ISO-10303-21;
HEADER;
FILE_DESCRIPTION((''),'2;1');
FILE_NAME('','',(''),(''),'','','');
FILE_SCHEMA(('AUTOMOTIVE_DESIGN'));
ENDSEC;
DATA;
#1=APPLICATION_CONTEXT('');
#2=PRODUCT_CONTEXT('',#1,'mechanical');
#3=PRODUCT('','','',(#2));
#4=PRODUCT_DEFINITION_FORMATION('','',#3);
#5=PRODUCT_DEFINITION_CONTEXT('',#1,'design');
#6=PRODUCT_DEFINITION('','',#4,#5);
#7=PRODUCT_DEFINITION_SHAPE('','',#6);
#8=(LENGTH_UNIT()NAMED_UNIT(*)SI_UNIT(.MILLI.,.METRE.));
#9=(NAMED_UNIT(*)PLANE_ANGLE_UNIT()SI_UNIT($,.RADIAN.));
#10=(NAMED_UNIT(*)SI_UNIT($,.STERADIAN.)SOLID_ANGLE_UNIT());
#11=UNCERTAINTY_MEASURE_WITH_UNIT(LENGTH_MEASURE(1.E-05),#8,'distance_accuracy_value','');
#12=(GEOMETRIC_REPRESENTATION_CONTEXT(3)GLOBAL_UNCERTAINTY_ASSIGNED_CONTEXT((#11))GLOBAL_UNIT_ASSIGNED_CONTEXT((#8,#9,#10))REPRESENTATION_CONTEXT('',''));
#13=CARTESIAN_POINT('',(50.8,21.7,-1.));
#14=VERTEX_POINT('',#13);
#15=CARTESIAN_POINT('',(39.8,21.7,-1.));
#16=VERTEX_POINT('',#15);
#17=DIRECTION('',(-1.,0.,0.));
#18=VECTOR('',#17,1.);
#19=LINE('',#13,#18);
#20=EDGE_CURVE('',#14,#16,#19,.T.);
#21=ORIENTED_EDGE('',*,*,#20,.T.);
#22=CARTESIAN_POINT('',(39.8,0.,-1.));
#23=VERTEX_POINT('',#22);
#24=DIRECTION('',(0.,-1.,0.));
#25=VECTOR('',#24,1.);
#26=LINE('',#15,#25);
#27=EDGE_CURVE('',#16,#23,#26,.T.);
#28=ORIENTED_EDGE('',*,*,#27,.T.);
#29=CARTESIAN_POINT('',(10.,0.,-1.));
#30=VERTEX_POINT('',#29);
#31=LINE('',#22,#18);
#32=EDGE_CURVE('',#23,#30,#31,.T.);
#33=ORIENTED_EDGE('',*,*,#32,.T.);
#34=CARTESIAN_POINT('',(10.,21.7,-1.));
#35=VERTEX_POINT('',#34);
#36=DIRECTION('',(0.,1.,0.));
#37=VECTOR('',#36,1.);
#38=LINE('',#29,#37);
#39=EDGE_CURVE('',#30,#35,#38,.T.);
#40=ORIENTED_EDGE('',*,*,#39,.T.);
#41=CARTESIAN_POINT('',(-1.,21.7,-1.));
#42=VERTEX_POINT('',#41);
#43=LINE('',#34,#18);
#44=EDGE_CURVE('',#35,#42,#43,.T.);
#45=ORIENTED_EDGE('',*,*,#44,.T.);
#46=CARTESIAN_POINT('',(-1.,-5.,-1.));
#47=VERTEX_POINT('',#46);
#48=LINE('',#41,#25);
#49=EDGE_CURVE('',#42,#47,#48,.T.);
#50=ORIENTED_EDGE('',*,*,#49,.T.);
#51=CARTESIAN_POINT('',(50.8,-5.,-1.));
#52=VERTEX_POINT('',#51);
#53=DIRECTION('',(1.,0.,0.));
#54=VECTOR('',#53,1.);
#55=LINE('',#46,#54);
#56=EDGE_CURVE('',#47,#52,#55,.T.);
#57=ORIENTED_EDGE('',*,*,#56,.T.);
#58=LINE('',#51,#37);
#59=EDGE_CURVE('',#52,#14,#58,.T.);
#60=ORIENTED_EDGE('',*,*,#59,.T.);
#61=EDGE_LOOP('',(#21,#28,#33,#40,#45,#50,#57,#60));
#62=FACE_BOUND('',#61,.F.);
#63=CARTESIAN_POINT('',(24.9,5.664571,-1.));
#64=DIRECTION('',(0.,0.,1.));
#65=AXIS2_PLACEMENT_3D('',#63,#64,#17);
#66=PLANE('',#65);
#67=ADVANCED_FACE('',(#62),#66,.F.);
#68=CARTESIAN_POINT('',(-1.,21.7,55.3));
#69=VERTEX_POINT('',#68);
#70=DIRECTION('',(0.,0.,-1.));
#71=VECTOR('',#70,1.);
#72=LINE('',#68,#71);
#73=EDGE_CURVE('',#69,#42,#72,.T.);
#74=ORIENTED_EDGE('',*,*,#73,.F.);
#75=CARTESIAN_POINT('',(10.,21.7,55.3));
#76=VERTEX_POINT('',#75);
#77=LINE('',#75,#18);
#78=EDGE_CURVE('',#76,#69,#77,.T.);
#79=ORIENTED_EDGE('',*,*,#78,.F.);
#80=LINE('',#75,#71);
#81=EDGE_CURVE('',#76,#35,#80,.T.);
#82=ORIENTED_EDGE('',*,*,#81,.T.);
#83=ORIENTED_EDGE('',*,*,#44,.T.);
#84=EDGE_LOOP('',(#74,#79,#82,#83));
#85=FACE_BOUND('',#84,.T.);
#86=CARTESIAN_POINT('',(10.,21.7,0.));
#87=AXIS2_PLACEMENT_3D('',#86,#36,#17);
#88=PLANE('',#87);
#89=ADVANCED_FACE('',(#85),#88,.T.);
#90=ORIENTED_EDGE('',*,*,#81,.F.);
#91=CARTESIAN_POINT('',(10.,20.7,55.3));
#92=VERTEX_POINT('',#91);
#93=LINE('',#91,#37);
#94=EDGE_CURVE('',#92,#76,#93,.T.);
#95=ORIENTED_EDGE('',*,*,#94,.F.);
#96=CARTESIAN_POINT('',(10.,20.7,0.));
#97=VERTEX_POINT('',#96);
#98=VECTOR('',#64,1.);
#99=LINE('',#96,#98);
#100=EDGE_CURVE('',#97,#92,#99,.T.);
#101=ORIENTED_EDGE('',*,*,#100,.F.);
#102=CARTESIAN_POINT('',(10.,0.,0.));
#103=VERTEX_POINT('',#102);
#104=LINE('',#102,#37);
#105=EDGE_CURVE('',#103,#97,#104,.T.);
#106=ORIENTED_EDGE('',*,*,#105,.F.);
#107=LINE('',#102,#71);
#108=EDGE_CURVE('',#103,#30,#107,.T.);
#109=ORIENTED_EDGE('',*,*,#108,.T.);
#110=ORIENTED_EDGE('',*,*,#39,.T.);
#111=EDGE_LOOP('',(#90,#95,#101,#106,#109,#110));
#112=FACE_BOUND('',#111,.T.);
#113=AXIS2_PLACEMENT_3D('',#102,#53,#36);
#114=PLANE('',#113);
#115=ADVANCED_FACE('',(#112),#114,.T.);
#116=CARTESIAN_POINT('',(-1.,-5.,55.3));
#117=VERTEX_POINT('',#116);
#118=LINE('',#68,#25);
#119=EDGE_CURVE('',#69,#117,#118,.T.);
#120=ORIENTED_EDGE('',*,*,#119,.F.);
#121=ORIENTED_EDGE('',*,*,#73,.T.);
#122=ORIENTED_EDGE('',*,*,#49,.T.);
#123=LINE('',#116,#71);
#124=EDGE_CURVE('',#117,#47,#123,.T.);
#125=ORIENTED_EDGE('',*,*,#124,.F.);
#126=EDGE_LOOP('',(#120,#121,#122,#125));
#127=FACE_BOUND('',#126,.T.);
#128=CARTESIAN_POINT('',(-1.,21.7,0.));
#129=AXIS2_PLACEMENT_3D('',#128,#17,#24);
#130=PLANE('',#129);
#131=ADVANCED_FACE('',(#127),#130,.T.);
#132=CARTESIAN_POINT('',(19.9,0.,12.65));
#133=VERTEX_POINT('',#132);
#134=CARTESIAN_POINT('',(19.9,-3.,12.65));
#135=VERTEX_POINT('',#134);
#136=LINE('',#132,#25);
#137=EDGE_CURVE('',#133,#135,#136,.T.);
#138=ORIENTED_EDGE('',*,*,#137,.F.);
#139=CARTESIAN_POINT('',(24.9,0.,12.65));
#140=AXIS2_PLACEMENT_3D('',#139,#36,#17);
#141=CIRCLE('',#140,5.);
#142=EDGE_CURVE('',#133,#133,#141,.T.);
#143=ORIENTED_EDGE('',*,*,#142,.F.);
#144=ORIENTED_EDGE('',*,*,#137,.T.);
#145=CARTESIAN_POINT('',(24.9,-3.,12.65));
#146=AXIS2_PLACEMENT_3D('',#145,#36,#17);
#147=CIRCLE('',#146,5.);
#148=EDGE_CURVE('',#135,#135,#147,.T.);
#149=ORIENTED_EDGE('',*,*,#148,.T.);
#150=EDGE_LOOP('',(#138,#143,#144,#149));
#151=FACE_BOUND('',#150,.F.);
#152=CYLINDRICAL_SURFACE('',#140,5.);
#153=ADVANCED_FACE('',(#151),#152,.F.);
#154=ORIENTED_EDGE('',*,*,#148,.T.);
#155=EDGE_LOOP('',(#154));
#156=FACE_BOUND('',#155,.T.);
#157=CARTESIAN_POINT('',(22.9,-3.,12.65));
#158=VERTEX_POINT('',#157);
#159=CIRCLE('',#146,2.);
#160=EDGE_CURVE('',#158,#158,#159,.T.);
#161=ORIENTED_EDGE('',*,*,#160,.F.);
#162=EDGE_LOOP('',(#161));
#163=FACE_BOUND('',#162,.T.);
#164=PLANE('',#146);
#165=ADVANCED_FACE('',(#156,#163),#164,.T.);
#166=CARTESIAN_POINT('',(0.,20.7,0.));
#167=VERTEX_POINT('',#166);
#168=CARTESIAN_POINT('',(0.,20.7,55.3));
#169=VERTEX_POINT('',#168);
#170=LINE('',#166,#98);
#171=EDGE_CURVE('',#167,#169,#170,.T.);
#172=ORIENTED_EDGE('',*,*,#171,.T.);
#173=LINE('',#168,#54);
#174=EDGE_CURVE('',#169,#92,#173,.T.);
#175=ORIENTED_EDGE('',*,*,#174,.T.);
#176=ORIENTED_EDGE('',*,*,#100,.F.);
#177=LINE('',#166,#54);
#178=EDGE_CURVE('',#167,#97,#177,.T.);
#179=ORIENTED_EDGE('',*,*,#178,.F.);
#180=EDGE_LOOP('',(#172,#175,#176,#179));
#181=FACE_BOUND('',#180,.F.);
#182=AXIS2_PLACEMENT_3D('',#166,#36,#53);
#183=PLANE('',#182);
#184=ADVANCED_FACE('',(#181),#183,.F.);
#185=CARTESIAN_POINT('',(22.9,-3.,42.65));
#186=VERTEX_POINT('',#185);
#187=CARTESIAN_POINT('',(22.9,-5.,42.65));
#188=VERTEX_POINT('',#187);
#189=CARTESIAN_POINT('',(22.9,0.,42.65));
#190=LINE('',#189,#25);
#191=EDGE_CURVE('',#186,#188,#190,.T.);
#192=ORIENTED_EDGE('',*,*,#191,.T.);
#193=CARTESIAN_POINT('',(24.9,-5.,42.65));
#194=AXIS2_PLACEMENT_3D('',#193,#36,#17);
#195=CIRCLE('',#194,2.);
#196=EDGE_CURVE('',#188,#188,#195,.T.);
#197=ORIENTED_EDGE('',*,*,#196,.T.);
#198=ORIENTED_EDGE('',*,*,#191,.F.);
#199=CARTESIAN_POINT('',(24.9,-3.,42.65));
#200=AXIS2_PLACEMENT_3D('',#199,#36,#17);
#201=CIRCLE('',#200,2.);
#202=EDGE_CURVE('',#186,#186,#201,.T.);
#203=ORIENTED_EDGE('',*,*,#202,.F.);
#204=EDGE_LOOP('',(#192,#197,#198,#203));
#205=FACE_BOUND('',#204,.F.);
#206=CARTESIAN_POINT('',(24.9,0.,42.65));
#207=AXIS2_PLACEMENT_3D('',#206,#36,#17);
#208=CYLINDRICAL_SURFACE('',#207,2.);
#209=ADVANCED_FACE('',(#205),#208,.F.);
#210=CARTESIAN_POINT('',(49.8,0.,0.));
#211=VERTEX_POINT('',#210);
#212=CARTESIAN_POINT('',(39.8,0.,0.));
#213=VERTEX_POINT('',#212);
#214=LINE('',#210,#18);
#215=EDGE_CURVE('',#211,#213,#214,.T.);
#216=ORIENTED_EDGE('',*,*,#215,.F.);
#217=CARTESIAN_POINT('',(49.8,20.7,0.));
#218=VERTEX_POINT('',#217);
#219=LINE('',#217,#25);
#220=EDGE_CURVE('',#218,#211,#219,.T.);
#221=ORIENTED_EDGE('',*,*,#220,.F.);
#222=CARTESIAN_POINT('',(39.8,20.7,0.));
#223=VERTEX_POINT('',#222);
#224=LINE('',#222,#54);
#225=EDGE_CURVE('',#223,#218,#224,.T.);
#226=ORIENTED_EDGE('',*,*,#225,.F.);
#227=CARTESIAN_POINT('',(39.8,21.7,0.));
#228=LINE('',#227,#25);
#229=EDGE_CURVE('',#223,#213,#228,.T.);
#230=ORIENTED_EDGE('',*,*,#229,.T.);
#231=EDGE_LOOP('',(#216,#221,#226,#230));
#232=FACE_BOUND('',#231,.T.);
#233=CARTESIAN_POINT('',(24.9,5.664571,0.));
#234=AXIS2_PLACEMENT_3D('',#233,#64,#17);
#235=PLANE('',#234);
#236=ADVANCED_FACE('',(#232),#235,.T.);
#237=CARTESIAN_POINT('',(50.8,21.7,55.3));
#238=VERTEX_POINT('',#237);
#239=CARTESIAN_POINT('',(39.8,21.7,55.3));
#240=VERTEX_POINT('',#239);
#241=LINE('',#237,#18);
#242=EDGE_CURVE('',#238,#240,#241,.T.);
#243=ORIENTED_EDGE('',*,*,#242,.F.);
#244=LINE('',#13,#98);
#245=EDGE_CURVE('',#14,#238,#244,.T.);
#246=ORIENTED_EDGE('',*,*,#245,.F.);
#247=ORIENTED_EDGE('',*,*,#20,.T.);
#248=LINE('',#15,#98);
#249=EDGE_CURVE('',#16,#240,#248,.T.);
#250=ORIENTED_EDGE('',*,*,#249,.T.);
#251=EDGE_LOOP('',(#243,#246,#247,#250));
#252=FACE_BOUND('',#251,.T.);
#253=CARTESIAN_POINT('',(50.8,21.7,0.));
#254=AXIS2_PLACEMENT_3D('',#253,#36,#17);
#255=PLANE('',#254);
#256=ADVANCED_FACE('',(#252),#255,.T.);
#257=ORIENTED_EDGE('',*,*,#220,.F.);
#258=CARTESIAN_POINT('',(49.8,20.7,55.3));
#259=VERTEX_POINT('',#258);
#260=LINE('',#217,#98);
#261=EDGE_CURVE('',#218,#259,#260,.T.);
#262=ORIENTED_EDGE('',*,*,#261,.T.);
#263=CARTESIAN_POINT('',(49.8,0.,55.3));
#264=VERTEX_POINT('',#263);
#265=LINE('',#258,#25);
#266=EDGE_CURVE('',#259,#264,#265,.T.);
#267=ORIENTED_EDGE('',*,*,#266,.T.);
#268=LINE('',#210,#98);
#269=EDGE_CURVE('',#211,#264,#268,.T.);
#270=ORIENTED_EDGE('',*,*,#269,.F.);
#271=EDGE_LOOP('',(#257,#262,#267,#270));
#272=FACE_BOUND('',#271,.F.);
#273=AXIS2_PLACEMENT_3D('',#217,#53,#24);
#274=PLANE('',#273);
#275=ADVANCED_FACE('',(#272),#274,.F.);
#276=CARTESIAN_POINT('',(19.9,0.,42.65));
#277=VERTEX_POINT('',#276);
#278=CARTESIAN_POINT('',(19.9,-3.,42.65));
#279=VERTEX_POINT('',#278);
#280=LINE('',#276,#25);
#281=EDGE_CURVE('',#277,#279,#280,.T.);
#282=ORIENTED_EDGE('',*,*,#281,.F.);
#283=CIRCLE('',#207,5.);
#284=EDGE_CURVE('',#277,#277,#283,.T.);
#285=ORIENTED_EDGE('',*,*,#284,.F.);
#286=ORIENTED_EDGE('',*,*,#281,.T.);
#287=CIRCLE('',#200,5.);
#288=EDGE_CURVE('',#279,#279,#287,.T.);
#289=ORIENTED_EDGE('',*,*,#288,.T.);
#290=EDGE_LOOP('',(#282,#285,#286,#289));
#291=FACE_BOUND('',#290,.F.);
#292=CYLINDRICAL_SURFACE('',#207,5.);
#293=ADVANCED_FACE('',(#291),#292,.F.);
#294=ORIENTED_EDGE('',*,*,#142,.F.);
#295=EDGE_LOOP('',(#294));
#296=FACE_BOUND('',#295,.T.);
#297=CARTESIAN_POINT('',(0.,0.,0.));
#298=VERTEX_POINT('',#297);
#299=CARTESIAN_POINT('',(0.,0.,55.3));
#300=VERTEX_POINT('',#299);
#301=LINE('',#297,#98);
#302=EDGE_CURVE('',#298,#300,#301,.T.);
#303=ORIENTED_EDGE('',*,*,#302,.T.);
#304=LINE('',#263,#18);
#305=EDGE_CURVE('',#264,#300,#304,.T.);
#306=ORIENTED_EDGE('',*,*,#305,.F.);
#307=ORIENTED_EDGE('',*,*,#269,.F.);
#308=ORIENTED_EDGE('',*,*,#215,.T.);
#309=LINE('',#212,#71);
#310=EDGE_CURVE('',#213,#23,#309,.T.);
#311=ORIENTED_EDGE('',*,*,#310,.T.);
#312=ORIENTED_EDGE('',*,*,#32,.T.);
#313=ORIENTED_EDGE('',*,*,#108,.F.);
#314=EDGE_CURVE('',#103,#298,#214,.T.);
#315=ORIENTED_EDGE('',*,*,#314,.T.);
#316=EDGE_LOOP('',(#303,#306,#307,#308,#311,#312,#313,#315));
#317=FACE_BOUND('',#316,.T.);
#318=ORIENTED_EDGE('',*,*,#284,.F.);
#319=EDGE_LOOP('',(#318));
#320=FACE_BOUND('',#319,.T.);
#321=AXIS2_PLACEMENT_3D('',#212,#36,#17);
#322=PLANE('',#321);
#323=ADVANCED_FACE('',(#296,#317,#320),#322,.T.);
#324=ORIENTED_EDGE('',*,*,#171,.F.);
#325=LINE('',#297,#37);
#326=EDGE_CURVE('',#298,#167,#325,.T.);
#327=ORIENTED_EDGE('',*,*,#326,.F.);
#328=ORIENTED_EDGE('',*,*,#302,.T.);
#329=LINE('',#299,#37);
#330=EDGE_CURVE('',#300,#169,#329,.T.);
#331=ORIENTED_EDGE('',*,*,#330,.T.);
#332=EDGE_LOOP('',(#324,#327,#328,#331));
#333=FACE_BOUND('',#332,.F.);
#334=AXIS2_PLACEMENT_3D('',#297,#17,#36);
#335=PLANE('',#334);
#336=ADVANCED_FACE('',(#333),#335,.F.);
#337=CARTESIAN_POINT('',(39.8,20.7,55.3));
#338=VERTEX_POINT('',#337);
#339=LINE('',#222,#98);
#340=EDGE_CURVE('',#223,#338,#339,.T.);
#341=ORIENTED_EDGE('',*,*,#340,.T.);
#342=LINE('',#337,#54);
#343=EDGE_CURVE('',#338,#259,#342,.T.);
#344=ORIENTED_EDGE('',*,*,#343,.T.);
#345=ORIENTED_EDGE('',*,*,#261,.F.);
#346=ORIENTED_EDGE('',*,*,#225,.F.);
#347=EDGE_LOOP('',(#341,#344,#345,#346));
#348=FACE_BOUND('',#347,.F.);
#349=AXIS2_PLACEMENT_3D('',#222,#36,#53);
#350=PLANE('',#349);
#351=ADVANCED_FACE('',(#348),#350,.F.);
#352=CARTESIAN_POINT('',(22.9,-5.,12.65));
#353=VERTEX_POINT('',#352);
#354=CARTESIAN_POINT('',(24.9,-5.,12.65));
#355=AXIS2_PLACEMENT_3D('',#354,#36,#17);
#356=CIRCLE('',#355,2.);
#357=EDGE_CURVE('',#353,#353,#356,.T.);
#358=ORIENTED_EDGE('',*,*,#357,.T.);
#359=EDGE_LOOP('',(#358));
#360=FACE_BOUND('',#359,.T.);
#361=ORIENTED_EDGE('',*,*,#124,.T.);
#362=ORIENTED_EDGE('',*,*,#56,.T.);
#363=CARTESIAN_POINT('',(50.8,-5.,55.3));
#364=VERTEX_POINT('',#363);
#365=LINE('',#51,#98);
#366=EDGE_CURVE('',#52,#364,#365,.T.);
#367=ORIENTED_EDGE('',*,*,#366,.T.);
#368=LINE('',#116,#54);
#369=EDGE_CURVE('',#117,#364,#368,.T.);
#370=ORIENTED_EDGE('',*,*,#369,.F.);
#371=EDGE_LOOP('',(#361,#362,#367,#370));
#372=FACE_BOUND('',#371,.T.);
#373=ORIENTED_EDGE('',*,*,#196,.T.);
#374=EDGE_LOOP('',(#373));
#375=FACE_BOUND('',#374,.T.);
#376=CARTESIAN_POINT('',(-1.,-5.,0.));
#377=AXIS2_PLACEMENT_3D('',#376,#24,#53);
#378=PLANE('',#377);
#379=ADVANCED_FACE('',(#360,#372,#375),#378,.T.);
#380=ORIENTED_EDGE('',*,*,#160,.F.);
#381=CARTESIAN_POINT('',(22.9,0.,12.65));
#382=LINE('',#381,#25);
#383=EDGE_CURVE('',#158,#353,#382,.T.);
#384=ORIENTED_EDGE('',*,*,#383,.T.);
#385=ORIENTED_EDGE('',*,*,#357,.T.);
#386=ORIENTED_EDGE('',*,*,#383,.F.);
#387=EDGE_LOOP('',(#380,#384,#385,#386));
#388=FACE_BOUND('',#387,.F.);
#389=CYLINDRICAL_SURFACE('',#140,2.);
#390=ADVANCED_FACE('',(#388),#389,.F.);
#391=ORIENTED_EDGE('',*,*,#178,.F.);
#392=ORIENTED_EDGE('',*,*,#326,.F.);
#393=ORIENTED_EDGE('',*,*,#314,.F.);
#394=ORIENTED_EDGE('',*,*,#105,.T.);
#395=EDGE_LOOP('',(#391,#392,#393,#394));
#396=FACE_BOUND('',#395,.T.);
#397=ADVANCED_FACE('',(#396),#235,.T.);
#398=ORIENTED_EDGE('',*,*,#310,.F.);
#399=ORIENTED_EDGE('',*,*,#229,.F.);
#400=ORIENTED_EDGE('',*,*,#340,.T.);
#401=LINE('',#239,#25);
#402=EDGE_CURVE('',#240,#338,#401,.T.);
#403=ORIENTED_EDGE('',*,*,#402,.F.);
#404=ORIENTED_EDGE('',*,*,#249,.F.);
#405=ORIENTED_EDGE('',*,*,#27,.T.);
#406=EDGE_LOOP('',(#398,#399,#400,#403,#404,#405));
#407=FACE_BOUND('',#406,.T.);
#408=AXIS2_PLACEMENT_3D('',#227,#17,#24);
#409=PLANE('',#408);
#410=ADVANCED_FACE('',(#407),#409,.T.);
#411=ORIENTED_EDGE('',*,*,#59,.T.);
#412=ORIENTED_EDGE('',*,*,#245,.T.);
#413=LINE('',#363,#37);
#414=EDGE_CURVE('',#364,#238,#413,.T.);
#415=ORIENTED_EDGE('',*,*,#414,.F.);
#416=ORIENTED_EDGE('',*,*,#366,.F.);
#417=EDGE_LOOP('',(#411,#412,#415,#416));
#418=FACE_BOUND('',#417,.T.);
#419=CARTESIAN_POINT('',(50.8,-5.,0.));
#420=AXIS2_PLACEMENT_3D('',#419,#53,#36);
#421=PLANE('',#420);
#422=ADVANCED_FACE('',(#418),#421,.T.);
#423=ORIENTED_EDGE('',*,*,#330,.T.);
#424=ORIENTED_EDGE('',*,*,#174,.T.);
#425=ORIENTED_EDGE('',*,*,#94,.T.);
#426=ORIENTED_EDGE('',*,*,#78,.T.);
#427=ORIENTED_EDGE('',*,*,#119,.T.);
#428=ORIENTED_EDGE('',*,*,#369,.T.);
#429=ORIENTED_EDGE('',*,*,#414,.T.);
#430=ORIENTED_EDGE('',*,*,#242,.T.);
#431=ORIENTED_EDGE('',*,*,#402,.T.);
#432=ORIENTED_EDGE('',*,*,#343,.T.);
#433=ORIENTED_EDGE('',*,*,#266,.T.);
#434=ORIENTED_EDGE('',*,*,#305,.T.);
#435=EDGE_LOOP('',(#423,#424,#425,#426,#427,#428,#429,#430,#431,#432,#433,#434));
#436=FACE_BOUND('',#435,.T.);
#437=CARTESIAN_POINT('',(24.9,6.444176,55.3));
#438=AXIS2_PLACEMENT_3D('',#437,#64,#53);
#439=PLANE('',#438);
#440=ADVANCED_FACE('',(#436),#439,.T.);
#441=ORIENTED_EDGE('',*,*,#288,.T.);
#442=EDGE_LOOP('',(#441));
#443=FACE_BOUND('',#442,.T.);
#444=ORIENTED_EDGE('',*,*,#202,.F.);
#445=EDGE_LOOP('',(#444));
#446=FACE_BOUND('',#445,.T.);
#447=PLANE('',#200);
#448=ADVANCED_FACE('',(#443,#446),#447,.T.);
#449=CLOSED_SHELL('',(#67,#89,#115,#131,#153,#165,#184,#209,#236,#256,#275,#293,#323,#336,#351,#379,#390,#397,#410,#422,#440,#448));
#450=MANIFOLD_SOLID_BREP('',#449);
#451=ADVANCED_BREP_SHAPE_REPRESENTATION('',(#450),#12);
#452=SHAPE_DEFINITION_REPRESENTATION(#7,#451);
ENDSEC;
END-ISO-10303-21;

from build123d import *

# Parameters (mm, degrees)
PAD_DEPTH    = 55.3
PAD001_DEPTH = 1
SKETCH002_R  = 2
HOLE_DEPTH   = 25
SKETCH003_R  = 5
POCKET_DEPTH = 3


with BuildPart() as part:
    # Sketch → Pad (new body)
    with BuildSketch(Plane.XY):
        Polygon((0, 0), (0, 20.7), (10, 20.7), (10, 21.7), (-1, 21.7), (-1, -5), (50.8, -5), (50.8, 21.7), (39.8, 21.7), (39.8, 20.7), (49.8, 20.7), (49.8, 0), align=None)
    extrude(amount=PAD_DEPTH)

    # Sketch001 (on Face13 of Pad) → Pad001 (join)
    with BuildSketch(Plane(origin=(0, 0, 0), x_dir=(1, 0, 0), z_dir=(0, 0, -1))):
        Polygon((-1, 5), (50.8, 5), (50.8, -21.7), (39.8, -21.7), (39.8, 0), (10, 0), (10, -21.7), (-1, -21.7), align=None)
    extrude(amount=PAD001_DEPTH)

    # Sketch002 (on Face14 of Pad001) → Hole (cut)
    with BuildSketch(Plane(origin=(0, 0, 0), x_dir=(-1, 0, 0), z_dir=(0, 1, 0))):
        with Locations((-24.9, 42.65)):
            Circle(SKETCH002_R)
        with Locations((-24.9, 12.65)):
            Circle(SKETCH002_R)
    extrude(amount=-HOLE_DEPTH, mode=Mode.SUBTRACT)

    # Sketch003 (on Face14 of Pad001) → Pocket (cut)
    with BuildSketch(Plane(origin=(0, 0, 0), x_dir=(-1, 0, 0), z_dir=(0, 1, 0))):
        with Locations((-24.9, 42.65)):
            Circle(SKETCH003_R)
        with Locations((-24.9, 12.65)):
            Circle(SKETCH003_R)
    extrude(amount=-POCKET_DEPTH, mode=Mode.SUBTRACT)


solid = part.part
